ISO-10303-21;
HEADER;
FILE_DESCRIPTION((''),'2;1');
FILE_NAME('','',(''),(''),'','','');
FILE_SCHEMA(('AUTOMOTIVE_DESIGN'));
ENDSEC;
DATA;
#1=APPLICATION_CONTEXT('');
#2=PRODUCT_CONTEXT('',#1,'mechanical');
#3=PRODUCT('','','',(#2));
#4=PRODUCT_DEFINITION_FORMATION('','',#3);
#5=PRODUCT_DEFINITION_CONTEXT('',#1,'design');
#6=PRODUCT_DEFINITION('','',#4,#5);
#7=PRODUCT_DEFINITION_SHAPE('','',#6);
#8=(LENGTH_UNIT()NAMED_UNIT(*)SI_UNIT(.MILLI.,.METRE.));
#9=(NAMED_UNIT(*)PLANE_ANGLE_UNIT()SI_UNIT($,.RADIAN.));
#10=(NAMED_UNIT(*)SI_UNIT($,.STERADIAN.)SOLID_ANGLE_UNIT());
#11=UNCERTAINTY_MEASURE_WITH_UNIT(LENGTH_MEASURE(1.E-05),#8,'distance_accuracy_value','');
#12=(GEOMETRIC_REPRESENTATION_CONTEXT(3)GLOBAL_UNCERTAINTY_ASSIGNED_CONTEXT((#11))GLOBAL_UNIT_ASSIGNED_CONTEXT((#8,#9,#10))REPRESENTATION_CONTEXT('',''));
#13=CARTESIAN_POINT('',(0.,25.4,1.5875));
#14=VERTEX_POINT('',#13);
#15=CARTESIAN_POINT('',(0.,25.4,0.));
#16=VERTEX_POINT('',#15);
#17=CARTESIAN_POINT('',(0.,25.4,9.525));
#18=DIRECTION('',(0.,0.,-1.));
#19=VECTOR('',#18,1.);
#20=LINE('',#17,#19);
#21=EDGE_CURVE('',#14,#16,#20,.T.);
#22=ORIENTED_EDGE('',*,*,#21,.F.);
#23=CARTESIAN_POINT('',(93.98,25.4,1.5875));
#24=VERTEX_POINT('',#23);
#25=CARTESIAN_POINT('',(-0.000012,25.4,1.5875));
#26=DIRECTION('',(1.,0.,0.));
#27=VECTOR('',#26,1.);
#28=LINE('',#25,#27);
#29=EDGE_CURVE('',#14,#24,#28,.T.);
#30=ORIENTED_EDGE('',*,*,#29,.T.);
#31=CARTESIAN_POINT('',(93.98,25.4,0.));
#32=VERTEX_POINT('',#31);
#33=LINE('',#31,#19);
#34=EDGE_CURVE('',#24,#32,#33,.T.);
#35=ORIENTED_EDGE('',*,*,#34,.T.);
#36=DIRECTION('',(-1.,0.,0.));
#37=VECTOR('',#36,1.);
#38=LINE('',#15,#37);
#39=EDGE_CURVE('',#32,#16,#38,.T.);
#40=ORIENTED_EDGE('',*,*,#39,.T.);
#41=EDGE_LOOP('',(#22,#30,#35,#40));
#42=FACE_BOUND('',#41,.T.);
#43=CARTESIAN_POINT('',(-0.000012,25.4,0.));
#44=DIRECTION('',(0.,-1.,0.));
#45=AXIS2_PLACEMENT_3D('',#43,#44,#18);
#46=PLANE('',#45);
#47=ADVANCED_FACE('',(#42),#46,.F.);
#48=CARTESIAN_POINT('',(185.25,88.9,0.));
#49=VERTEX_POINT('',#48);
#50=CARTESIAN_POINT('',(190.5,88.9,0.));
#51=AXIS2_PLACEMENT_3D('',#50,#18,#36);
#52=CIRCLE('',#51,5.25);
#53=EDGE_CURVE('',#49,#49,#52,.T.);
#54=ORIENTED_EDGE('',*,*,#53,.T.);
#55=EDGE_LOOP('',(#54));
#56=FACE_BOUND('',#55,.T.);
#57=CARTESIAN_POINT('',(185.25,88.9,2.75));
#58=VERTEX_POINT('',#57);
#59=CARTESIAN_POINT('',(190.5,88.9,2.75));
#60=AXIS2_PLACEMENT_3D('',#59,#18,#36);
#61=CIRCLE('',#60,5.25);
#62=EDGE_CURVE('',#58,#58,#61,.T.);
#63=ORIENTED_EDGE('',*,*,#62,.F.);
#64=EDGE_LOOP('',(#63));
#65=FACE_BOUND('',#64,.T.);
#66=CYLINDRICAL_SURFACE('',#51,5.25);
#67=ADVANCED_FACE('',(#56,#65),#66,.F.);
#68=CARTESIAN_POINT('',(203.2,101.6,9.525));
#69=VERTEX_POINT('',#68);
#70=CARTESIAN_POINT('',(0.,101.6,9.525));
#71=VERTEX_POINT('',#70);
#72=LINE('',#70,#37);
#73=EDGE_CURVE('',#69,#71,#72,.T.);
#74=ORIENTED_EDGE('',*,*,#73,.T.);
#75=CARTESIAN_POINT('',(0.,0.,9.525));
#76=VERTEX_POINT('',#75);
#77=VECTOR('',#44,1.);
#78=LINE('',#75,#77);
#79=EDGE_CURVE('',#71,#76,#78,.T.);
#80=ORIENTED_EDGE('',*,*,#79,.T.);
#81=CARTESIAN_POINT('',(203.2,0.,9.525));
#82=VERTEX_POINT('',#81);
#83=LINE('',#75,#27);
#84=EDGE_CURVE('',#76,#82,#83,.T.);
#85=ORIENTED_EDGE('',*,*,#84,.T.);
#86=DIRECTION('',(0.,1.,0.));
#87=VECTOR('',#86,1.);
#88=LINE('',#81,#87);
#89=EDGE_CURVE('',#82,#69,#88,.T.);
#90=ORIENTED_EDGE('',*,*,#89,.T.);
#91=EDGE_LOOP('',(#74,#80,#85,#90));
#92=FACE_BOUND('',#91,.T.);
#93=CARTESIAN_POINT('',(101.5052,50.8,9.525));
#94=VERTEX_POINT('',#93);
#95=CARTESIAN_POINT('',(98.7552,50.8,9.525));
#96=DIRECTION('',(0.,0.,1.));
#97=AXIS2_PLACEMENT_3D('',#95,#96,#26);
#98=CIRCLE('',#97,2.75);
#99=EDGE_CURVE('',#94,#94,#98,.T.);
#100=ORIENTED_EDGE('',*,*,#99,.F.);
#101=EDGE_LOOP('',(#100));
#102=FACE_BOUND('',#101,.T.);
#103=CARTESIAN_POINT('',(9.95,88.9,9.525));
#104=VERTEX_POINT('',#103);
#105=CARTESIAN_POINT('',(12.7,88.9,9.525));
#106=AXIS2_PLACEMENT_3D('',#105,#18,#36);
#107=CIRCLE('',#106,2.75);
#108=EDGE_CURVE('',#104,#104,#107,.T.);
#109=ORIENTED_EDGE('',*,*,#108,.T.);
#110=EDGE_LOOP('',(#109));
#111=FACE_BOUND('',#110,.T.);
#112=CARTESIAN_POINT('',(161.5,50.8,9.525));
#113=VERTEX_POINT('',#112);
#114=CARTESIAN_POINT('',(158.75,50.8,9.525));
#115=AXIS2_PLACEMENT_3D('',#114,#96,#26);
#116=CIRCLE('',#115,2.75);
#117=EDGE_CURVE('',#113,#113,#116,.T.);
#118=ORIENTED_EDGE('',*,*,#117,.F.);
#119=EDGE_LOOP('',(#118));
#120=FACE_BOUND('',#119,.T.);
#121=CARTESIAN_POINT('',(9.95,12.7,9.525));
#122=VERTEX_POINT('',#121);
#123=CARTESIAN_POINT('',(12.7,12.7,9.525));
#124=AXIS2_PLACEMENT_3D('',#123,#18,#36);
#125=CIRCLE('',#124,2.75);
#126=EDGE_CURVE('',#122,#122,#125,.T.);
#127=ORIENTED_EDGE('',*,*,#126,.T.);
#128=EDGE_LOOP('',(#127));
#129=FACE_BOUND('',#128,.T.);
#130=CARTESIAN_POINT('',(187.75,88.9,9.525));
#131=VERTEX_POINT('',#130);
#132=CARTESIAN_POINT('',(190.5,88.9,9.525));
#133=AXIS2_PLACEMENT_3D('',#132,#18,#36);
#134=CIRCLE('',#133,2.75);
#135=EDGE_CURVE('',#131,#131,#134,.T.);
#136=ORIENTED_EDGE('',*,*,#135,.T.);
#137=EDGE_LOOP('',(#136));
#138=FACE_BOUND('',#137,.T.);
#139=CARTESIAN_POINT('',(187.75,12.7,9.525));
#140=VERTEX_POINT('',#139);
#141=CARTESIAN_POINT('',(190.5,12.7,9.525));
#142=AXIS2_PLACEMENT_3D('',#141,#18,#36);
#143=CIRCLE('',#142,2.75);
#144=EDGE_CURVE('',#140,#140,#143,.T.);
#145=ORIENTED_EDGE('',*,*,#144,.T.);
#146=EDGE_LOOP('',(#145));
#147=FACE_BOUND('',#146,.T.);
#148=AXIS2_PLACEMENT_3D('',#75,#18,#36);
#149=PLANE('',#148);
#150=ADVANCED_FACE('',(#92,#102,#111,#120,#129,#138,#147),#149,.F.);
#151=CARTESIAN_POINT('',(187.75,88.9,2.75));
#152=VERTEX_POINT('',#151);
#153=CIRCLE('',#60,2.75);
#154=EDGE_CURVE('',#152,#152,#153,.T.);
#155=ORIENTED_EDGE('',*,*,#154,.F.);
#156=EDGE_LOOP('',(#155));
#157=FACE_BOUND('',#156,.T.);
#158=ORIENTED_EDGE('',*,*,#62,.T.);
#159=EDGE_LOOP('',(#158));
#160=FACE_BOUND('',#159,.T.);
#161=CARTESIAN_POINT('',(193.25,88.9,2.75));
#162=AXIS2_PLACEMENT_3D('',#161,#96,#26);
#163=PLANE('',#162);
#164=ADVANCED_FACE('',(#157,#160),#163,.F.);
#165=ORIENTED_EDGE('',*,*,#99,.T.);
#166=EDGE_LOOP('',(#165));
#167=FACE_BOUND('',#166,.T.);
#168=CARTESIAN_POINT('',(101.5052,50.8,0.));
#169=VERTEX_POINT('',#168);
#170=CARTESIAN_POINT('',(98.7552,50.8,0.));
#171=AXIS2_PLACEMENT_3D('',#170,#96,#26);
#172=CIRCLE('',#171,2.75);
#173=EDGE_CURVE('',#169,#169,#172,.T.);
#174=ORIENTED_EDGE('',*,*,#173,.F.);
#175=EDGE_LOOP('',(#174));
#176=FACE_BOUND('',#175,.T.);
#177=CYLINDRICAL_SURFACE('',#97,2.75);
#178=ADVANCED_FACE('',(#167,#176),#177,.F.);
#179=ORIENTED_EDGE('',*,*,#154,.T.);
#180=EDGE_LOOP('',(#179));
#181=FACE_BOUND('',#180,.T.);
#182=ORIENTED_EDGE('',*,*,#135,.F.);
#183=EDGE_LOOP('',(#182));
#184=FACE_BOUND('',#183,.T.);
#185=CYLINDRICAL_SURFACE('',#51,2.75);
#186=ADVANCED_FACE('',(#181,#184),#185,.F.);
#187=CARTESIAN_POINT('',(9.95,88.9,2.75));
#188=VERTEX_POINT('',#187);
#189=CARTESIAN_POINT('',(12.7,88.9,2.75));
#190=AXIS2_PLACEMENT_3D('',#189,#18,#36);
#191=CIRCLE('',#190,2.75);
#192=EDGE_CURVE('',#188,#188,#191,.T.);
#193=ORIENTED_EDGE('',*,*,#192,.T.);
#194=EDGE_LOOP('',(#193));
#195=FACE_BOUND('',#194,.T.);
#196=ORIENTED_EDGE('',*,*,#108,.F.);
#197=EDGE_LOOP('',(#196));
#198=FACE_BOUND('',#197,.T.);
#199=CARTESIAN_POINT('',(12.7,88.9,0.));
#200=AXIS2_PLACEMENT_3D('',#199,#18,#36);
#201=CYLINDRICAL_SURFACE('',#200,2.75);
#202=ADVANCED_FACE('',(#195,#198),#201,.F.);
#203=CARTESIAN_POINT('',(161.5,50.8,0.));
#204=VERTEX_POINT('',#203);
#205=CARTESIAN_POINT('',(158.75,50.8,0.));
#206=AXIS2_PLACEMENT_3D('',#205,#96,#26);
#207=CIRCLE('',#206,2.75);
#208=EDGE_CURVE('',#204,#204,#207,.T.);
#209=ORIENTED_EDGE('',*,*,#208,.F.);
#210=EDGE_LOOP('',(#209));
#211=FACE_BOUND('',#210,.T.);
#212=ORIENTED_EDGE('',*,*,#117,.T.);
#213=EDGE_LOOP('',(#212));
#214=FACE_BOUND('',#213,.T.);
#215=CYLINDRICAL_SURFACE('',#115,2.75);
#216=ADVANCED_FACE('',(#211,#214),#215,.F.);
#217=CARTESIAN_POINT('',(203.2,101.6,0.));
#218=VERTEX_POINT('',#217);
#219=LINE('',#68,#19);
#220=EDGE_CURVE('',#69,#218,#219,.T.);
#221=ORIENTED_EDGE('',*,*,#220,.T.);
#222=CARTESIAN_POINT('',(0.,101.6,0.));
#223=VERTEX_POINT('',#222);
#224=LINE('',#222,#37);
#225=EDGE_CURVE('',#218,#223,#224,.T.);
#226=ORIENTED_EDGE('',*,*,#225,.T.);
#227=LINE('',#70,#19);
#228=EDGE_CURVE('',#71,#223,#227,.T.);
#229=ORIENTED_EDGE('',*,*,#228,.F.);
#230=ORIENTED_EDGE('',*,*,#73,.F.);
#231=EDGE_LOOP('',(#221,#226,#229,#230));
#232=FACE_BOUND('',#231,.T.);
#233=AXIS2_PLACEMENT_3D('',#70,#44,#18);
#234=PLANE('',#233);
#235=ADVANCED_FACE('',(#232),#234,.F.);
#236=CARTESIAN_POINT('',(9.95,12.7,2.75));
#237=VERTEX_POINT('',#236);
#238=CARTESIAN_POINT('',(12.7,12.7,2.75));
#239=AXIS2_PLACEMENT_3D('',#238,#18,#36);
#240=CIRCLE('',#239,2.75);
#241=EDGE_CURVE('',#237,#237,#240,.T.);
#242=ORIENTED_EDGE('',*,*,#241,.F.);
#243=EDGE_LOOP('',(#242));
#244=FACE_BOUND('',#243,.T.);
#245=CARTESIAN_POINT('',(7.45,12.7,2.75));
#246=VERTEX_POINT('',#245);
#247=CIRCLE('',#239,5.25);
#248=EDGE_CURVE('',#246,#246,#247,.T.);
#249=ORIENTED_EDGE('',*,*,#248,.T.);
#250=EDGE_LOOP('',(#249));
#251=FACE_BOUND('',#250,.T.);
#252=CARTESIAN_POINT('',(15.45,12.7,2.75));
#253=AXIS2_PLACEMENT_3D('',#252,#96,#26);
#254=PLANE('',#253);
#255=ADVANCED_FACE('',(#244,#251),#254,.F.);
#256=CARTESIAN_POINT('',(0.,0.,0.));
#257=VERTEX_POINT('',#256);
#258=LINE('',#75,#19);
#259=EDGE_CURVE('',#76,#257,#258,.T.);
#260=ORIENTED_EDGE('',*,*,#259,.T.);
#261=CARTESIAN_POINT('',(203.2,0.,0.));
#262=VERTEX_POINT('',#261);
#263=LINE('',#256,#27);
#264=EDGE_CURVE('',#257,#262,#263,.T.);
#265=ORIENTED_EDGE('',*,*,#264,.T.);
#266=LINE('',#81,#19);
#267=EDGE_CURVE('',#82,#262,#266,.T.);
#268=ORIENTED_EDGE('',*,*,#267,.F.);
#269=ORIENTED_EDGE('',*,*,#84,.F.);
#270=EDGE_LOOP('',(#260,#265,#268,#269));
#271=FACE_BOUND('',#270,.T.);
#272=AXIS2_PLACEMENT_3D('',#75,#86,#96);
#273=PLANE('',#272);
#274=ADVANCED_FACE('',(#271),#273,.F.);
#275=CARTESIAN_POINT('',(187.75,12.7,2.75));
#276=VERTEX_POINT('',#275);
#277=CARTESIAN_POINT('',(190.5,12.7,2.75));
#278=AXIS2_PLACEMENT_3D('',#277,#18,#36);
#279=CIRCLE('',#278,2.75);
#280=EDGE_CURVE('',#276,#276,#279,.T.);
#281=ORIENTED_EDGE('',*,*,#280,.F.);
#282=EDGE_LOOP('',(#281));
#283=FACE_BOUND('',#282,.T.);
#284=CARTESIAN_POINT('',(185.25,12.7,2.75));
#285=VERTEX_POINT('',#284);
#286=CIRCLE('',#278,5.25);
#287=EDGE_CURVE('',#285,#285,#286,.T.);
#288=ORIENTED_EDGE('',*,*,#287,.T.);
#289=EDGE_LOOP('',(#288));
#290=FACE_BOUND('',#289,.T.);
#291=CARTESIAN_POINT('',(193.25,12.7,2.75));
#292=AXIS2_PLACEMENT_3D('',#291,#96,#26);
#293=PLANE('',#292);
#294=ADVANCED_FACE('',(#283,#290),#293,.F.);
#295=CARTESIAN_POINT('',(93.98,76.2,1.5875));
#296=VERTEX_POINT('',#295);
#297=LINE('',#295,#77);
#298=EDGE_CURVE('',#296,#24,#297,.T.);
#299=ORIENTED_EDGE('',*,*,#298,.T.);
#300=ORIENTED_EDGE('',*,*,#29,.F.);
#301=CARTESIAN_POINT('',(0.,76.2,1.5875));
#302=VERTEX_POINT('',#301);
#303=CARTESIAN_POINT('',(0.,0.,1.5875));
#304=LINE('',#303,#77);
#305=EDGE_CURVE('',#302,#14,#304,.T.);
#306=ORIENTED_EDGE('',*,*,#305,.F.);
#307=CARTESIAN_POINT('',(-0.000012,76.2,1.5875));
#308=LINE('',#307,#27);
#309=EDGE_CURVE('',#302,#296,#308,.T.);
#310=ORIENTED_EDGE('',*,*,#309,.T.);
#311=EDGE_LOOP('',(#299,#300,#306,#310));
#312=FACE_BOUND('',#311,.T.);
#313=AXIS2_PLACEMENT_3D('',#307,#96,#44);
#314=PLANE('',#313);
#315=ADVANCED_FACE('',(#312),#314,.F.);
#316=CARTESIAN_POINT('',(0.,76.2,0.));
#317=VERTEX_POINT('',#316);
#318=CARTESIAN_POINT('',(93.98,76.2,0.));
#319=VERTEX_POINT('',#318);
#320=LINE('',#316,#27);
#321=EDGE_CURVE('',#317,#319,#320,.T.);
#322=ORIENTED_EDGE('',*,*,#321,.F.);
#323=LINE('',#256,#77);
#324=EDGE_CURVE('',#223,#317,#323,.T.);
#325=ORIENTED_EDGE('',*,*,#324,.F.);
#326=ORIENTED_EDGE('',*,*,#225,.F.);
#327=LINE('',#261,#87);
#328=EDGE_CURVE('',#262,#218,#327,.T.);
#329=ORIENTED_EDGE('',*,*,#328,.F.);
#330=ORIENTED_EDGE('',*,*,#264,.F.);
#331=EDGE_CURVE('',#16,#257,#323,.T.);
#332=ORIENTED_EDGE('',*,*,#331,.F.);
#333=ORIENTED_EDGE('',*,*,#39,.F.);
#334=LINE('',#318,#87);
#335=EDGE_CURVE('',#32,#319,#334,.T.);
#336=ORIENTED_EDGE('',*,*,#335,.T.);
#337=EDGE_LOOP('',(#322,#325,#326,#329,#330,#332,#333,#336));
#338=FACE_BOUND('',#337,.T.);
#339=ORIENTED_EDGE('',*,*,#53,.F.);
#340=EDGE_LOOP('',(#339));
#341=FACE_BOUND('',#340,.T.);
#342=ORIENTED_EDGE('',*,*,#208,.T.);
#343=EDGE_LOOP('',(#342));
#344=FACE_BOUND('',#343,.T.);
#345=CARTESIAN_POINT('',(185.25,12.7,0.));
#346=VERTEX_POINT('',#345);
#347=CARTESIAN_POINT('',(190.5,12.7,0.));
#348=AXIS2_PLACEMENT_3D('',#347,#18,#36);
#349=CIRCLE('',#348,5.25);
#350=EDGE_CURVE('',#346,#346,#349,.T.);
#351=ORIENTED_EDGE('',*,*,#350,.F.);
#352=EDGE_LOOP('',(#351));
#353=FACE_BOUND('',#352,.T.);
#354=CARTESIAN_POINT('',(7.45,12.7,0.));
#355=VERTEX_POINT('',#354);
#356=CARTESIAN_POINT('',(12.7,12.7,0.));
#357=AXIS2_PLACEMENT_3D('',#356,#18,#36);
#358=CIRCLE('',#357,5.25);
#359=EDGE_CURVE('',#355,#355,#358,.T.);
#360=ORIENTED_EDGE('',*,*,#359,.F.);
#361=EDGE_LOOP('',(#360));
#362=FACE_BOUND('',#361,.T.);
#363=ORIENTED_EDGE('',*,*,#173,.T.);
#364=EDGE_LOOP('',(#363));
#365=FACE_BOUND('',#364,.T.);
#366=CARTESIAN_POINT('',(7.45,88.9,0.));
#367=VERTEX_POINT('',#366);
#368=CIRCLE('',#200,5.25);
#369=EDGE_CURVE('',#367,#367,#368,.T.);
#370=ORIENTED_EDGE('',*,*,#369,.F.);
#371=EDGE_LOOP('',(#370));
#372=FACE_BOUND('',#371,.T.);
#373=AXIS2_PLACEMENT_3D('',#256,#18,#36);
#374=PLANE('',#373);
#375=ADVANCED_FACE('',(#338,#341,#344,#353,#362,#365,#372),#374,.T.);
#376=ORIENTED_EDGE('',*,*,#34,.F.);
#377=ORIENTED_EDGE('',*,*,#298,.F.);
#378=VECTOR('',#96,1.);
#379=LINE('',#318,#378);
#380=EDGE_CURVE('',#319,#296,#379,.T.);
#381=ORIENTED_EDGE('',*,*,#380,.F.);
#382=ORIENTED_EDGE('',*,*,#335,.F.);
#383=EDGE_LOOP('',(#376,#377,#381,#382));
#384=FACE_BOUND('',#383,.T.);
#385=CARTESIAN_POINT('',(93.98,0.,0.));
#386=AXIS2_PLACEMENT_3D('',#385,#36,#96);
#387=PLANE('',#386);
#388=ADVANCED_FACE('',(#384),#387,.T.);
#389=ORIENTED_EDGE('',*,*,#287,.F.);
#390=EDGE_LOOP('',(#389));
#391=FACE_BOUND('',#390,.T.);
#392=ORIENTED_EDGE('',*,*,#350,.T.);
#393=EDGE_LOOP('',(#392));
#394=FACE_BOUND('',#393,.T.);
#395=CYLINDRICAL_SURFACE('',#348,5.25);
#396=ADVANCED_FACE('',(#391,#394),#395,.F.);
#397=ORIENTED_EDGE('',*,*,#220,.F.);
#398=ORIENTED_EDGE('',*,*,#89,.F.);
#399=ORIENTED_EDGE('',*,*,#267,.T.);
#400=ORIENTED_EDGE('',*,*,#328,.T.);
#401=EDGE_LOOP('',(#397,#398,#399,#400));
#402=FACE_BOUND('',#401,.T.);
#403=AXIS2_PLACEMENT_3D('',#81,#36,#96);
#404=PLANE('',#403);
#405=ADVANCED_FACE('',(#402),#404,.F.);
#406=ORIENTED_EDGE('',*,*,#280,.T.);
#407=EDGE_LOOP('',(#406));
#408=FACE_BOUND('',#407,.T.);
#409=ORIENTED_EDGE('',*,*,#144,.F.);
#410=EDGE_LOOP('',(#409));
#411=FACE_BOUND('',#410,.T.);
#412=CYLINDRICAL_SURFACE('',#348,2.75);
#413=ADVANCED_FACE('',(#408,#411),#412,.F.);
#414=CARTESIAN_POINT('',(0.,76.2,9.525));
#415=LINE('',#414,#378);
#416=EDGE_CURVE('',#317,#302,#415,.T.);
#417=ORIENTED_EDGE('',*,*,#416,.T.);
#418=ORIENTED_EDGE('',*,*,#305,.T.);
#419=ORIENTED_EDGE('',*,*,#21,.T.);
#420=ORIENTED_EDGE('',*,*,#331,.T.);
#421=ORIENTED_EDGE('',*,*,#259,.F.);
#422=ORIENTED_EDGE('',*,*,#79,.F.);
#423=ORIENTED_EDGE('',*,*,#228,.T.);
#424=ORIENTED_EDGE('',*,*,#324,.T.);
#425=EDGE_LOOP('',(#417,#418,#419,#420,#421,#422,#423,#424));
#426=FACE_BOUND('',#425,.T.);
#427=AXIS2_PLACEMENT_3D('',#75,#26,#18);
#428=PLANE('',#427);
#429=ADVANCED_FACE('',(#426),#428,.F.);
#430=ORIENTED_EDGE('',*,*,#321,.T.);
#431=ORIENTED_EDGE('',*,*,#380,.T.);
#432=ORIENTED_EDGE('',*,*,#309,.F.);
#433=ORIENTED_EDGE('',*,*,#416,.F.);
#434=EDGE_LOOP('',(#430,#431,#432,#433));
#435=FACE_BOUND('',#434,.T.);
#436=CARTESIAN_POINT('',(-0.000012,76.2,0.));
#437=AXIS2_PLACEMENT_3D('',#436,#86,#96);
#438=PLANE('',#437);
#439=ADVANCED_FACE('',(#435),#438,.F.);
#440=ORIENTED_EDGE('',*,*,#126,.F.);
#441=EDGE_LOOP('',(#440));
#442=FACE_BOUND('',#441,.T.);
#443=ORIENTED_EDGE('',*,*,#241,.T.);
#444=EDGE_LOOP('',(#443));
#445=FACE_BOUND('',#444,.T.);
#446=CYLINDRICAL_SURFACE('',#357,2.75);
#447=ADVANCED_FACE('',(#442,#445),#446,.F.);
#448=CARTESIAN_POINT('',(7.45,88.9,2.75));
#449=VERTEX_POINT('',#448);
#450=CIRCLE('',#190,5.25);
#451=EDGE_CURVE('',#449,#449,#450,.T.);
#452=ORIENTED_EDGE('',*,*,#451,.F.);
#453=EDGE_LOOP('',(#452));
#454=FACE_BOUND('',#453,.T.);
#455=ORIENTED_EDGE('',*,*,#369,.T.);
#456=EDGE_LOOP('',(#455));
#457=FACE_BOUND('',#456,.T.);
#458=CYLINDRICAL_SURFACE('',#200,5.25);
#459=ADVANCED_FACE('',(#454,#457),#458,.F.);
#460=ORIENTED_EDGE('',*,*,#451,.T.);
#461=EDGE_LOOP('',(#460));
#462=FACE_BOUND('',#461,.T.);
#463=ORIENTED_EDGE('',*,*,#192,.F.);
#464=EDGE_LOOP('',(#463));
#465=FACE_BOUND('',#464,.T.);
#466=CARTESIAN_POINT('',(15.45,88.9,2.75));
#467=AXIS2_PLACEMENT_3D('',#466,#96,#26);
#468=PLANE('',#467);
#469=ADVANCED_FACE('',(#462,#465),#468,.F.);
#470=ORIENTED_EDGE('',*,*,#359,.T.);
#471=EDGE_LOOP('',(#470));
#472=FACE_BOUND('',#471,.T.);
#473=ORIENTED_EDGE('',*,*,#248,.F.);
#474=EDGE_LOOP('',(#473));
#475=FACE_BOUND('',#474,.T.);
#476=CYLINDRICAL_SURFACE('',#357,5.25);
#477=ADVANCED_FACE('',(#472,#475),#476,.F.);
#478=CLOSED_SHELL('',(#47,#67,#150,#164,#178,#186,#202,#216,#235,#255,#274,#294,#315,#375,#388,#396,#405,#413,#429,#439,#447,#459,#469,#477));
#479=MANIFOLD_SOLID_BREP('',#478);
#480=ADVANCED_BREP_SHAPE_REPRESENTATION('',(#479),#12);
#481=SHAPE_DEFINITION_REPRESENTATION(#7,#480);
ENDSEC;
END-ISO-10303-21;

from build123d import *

# Parameters (mm, degrees)
SKETCH1_W                       = 203.2
SKETCH1_H                       = 101.6
BOSS_EXTRUDE1_DEPTH             = 9.525
CUT_EXTRUDE1_DEPTH              = 93.98
CUT_EXTRUDE1_DEPTH_BACK         = 228.384092726
SKETCH2_W                       = 1.5875
SKETCH2_H                       = 50.8
CBORE_FOR_M5_SBHCS1_D           = 5.5
CBORE_FOR_M5_SBHCS1_CBORE_D     = 10.5
CBORE_FOR_M5_SBHCS1_CBORE_DEPTH = 2.75
M5_CLEARANCE_HOLE1_D            = 5.5


with BuildPart() as part:
    # Sketch1 → Boss-Extrude1 (new body)
    with BuildSketch(Plane.XY):
        with Locations((101.6, 50.8)):
            Rectangle(SKETCH1_W, SKETCH1_H)
    extrude(amount=BOSS_EXTRUDE1_DEPTH)

    # Sketch2 → Cut-Extrude1 (cut, two sides: drawn at the far end of the back side and taken through both)
    with BuildSketch(Plane(origin=(0, 0, 0), x_dir=(0, 0, -1), z_dir=(1, 0, 0)).offset(-CUT_EXTRUDE1_DEPTH_BACK)):
        with Locations((-0.79375, 50.8)):
            Rectangle(SKETCH2_W, SKETCH2_H)
    extrude(amount=CUT_EXTRUDE1_DEPTH + CUT_EXTRUDE1_DEPTH_BACK, mode=Mode.SUBTRACT)

    # CBORE for M5 SBHCS1 (through all)
    with Locations(Plane(origin=(0, 0, 0), x_dir=(-1, 0, 0), z_dir=(0, 0, -1))):
        with Locations((-190.5, 88.9), (-12.7, 88.9), (-12.7, 12.7), (-190.5, 12.7)):
            CounterBoreHole(CBORE_FOR_M5_SBHCS1_D / 2, CBORE_FOR_M5_SBHCS1_CBORE_D / 2, CBORE_FOR_M5_SBHCS1_CBORE_DEPTH)

    # M5 Clearance Hole1 (through all)
    with Locations(Plane.XY.offset(9.525)):
        with Locations((158.75, 50.8), (98.7552, 50.8)):
            Hole(M5_CLEARANCE_HOLE1_D / 2)


solid = part.part
